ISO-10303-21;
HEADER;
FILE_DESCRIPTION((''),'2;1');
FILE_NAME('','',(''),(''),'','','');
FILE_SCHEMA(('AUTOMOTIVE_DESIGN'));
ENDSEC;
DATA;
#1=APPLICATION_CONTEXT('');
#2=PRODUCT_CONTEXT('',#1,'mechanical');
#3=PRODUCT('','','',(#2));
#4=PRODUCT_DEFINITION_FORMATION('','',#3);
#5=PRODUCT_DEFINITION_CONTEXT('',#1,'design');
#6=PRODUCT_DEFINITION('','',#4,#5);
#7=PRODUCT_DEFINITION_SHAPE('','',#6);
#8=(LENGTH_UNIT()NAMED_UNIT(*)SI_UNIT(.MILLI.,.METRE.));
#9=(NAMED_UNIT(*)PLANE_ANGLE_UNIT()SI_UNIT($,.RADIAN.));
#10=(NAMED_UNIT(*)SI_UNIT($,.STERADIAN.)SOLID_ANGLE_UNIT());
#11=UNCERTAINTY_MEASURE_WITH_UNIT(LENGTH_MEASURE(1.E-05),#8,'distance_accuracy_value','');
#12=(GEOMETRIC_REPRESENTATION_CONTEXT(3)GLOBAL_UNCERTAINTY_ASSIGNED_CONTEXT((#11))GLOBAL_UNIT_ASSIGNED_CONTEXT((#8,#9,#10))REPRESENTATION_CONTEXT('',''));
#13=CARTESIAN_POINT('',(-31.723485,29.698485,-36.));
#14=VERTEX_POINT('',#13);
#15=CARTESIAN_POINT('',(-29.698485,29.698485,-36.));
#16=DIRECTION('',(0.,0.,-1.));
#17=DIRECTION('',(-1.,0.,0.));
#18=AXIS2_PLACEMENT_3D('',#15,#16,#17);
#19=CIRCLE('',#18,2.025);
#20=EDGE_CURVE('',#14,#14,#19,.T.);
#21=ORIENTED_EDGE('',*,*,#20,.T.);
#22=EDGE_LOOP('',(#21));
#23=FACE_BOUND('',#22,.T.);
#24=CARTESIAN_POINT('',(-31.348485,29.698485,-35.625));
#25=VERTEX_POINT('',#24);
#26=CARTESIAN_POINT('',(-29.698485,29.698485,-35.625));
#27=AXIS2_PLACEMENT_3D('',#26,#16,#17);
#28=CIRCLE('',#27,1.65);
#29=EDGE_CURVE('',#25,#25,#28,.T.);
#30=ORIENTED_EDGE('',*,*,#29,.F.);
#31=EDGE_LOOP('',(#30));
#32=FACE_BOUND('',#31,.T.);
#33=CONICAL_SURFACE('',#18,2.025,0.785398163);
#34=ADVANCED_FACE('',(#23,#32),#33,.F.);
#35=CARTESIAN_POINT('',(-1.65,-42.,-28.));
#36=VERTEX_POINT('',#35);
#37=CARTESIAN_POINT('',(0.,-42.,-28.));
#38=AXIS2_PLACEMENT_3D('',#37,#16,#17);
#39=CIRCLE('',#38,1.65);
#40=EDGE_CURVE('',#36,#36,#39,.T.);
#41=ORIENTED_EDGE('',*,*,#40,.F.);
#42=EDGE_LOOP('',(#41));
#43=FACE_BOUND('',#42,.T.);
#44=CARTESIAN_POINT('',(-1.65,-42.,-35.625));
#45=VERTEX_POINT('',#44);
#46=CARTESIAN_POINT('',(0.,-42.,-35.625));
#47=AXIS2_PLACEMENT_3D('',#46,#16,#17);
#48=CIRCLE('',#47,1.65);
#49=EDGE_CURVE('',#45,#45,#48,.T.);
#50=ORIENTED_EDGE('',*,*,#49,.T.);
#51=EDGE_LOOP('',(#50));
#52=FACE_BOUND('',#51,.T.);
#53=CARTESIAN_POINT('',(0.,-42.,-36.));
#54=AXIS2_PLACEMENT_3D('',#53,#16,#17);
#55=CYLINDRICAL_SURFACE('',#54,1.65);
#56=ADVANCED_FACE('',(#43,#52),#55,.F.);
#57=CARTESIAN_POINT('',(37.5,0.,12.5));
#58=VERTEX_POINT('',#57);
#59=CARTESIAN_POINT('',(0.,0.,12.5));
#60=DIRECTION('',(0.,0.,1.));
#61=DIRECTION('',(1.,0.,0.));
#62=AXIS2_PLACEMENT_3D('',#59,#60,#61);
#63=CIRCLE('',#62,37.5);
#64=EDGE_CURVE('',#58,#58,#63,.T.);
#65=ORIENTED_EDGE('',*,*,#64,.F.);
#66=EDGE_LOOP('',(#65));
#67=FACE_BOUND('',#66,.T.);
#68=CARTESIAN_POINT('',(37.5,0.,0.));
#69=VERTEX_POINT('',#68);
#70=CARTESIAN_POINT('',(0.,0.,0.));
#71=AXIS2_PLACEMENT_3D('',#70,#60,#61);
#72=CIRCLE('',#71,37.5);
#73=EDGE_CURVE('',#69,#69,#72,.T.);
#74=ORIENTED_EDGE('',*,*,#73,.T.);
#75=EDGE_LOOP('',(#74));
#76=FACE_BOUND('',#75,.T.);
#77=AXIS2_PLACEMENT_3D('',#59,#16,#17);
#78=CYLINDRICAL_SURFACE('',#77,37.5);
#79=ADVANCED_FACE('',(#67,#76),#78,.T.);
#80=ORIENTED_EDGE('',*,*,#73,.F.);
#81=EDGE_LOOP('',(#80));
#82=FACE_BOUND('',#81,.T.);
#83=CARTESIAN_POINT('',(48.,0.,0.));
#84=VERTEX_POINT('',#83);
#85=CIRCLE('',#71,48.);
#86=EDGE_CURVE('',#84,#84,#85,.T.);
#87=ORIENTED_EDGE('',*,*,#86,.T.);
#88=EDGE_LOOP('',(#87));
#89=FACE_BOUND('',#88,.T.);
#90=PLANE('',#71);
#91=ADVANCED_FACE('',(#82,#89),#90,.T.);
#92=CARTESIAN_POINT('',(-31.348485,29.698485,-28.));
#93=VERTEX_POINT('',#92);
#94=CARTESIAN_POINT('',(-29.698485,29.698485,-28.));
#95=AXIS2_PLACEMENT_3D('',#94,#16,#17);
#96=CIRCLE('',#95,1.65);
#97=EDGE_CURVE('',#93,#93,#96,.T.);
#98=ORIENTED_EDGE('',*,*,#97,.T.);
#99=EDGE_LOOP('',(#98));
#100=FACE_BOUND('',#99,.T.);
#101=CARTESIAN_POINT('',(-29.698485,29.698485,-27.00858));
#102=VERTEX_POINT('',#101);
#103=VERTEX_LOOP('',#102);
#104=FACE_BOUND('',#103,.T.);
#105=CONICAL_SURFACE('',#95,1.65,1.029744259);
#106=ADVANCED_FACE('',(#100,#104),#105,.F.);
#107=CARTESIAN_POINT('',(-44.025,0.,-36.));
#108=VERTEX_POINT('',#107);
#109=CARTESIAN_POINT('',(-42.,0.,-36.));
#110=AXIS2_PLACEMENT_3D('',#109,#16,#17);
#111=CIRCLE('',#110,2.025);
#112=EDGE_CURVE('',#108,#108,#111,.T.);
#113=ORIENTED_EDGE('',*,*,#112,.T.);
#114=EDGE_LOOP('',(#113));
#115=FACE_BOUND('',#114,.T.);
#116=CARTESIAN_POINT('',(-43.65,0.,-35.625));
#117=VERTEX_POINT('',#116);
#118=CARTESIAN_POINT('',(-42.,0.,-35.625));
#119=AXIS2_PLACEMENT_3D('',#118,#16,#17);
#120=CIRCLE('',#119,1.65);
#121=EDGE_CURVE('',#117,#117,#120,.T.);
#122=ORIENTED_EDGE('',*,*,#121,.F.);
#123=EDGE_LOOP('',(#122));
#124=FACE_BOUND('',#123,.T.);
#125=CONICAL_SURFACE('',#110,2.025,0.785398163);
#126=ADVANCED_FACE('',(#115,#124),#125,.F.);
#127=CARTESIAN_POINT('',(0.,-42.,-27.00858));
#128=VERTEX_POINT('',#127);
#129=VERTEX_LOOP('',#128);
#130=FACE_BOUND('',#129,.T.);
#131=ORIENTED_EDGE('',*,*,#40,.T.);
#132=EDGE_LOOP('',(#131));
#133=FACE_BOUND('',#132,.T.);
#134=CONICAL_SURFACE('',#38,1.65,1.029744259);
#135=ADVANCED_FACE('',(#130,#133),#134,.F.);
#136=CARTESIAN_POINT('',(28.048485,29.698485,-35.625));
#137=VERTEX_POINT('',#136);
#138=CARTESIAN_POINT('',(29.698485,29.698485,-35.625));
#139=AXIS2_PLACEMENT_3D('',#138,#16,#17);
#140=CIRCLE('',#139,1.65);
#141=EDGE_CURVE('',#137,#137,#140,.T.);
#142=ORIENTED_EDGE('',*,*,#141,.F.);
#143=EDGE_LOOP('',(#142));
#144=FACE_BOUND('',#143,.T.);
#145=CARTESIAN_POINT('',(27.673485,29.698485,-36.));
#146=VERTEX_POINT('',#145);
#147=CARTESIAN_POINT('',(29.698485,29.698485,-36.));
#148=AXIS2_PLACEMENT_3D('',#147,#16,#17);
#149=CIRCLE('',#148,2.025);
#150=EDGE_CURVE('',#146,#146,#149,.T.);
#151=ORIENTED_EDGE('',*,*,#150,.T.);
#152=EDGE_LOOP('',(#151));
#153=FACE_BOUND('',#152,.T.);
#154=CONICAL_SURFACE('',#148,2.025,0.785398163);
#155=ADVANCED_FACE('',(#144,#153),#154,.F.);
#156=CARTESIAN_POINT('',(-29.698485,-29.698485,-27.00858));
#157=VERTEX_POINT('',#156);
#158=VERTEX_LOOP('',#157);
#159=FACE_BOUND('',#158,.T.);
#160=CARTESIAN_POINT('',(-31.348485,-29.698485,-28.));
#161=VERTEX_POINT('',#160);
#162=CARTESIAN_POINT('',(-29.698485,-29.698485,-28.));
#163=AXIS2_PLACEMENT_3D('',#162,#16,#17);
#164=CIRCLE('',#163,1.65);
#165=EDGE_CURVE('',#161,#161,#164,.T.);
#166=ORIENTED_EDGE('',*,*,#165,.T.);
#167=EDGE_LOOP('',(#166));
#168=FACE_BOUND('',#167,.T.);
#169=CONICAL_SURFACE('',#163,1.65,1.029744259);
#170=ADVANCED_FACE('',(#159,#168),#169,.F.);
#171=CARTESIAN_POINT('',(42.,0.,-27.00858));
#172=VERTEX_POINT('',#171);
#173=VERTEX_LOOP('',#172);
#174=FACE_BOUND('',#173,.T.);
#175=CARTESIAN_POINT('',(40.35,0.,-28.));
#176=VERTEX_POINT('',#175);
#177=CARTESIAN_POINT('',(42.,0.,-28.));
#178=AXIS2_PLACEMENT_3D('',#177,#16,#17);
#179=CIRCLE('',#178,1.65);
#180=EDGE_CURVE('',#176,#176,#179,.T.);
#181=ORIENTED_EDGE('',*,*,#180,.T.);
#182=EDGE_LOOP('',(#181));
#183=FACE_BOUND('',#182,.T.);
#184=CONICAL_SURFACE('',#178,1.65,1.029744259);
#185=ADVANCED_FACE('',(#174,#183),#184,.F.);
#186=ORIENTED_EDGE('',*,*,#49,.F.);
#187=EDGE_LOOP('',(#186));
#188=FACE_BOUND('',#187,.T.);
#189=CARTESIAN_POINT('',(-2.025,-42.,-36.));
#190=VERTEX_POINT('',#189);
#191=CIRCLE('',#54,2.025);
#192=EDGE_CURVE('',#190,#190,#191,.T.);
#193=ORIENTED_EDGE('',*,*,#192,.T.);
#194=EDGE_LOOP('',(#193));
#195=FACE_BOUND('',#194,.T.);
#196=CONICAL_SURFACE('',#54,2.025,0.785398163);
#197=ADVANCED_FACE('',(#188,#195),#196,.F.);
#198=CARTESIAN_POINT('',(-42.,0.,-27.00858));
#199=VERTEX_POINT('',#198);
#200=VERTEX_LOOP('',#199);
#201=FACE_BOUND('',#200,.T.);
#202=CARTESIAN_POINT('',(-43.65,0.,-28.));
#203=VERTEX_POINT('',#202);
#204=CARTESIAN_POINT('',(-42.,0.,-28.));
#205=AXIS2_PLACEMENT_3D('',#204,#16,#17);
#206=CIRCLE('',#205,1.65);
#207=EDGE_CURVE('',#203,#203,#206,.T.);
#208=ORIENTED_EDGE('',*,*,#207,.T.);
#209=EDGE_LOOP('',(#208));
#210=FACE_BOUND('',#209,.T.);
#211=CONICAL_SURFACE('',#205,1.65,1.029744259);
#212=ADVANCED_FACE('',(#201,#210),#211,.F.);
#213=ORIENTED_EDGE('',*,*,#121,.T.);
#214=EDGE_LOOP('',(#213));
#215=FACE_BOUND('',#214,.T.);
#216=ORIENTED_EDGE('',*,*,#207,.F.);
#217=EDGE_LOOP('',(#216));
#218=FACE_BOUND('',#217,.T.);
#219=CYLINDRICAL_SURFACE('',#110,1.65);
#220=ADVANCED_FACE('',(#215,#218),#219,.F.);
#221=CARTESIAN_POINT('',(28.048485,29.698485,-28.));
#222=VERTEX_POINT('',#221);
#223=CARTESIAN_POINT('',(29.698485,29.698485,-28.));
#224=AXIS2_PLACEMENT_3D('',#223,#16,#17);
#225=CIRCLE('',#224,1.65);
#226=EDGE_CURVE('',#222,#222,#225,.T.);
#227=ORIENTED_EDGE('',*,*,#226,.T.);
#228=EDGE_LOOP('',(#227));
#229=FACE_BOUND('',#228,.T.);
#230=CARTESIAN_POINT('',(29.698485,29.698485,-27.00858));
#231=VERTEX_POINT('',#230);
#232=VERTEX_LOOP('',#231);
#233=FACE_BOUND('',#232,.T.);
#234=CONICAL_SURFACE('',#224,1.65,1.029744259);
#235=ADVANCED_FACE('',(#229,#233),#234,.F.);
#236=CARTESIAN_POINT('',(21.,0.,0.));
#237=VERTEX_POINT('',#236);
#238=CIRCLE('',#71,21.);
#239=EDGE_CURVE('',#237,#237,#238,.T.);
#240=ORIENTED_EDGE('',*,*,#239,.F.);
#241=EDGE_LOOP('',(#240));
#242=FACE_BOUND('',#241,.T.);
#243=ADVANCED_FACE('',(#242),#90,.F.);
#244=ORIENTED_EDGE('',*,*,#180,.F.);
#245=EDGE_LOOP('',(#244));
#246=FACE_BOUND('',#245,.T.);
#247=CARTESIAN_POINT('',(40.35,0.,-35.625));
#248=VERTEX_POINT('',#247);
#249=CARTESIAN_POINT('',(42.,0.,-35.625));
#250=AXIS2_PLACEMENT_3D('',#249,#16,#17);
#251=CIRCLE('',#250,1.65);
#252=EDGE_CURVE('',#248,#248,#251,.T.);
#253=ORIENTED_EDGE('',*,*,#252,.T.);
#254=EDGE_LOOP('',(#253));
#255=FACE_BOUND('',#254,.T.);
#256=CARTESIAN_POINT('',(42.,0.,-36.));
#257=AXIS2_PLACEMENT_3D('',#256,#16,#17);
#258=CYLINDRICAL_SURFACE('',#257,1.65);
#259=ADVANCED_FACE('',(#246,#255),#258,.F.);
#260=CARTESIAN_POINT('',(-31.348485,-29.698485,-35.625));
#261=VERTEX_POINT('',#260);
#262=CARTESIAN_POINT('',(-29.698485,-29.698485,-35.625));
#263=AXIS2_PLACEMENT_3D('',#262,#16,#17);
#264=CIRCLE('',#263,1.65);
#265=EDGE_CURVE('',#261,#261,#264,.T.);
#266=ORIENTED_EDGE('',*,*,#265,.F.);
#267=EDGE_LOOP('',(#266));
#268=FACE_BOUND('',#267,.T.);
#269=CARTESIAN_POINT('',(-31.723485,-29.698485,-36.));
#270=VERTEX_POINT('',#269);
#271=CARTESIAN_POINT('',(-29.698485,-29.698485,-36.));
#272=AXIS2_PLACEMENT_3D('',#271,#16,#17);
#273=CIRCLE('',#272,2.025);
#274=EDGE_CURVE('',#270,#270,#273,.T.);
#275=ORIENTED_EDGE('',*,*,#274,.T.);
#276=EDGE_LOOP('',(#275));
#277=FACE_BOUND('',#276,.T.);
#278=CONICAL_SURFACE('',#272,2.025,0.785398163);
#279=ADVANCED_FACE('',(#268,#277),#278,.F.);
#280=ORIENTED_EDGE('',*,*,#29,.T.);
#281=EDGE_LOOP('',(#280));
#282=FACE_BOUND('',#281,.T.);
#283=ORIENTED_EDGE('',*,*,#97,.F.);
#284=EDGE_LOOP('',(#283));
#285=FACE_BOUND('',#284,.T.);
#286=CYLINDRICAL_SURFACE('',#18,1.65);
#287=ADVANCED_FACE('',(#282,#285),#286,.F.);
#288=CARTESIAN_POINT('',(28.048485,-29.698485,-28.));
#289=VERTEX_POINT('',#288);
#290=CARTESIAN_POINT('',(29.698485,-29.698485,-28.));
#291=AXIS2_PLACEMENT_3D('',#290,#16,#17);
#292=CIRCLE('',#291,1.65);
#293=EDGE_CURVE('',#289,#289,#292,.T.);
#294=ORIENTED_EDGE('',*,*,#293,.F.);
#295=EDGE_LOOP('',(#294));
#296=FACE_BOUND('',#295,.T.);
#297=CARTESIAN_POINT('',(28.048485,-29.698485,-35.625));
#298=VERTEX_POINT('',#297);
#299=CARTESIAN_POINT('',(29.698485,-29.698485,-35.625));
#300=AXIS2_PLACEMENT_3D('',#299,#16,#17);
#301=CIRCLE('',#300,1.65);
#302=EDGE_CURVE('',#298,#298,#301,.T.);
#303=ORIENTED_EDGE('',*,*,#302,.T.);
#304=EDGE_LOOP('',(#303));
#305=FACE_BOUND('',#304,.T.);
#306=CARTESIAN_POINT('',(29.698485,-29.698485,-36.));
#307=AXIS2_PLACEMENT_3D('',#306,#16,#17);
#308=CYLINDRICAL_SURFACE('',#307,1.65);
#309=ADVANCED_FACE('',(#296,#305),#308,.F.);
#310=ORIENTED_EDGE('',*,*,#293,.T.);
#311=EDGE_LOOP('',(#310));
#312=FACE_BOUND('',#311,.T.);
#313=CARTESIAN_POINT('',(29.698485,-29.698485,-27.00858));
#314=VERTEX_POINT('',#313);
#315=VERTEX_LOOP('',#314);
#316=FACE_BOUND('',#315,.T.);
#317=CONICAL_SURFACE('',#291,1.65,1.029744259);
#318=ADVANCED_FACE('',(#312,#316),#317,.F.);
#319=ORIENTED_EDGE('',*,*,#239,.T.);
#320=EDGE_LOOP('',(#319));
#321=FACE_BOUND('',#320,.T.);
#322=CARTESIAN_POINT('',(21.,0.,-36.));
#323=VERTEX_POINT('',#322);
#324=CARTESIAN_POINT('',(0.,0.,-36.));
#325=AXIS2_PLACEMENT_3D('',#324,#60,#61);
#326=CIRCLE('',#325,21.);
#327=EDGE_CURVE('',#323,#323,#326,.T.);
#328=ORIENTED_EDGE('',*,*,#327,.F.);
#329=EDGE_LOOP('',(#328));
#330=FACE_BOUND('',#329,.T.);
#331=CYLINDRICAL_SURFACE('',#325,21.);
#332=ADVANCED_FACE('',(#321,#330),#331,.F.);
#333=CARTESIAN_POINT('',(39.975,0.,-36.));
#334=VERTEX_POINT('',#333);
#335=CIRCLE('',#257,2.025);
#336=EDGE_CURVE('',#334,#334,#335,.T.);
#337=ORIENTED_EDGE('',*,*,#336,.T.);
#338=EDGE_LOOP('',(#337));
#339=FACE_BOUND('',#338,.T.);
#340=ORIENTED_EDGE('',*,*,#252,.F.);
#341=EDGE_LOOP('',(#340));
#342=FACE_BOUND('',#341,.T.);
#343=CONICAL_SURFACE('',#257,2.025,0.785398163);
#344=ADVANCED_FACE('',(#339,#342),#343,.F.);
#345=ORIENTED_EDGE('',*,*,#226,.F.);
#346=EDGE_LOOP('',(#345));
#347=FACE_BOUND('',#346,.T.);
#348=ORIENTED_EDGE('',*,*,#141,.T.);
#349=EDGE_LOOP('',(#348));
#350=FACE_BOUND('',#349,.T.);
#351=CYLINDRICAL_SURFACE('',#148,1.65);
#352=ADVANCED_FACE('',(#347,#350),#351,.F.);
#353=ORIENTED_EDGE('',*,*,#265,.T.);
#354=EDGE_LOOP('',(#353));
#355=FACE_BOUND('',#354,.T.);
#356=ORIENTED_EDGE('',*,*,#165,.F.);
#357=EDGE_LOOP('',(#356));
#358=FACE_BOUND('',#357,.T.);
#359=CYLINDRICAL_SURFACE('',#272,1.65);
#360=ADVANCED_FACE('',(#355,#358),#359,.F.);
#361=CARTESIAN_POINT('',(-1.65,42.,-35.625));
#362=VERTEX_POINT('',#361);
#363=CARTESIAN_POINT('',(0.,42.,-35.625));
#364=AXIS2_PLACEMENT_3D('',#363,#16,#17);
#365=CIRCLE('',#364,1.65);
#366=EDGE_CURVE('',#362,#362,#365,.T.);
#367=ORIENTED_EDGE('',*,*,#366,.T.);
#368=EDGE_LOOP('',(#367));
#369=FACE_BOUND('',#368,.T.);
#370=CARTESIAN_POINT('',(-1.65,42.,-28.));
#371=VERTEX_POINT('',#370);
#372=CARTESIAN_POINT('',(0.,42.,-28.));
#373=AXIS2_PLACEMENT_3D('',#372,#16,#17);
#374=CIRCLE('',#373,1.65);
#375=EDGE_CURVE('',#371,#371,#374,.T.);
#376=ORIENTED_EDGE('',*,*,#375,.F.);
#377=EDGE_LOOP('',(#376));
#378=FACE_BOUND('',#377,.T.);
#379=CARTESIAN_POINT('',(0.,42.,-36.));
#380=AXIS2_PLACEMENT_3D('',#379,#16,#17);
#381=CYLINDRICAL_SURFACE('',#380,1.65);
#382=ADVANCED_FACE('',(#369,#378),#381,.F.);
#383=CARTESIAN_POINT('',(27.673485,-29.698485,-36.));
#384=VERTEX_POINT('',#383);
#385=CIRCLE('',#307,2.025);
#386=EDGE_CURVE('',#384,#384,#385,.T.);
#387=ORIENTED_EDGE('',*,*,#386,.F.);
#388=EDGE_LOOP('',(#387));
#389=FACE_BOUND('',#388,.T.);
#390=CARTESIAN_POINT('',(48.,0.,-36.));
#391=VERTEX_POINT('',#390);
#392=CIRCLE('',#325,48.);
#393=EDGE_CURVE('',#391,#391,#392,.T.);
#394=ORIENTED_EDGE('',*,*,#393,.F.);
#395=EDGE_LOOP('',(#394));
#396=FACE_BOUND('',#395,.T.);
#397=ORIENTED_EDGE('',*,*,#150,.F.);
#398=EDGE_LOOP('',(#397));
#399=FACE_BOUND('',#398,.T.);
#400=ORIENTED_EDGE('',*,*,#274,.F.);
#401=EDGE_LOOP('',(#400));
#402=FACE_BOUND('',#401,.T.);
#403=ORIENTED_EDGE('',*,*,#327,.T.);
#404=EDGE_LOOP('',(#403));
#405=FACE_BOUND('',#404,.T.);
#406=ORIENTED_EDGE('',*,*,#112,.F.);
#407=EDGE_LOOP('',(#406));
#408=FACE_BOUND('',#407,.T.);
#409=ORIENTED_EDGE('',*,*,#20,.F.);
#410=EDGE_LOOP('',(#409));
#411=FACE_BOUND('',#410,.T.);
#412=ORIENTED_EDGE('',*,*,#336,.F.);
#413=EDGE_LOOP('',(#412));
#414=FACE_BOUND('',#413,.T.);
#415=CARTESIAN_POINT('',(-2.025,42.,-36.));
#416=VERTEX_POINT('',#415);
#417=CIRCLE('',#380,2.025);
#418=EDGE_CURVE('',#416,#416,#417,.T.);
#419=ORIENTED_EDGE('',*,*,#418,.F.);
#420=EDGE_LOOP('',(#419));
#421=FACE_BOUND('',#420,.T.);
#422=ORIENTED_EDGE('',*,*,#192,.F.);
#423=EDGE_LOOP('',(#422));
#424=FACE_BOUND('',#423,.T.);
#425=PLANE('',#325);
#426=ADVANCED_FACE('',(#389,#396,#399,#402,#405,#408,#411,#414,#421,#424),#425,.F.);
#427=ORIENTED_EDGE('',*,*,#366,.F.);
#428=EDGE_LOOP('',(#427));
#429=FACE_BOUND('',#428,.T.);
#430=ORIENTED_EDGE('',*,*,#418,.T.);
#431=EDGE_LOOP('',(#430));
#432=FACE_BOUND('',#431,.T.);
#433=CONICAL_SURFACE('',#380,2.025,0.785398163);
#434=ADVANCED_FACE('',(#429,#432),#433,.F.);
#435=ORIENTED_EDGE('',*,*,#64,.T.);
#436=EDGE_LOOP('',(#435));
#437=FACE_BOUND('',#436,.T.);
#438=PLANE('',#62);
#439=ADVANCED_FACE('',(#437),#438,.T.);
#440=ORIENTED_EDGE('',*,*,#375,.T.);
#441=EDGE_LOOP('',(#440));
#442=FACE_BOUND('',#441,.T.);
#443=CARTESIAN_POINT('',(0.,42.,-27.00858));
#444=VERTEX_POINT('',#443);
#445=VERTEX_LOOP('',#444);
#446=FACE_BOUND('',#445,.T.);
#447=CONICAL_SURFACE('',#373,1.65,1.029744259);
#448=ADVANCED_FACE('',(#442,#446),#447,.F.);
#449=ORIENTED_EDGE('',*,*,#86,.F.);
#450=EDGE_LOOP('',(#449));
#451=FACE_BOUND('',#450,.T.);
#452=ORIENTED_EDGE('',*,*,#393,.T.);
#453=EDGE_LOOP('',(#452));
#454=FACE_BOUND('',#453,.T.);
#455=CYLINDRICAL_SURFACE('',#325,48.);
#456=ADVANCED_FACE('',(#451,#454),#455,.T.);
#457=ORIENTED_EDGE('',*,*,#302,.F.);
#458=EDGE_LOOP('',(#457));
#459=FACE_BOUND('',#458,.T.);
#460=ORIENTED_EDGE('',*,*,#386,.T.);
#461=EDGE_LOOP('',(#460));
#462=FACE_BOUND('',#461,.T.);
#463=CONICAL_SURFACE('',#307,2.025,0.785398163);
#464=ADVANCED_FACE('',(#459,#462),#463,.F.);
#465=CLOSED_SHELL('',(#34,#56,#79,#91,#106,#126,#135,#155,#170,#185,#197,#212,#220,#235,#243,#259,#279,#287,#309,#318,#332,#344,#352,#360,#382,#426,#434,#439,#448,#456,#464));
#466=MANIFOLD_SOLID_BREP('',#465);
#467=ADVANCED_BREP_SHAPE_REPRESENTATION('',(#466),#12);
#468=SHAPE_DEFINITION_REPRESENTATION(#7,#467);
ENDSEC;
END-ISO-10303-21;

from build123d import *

# Parameters (mm, degrees)
SKETCH1_R                   = 37.5
BOSS_EXTRUDE1_DEPTH         = 12.5
SKETCH1_3_R                 = 48
SKETCH1_3_R_2               = 21
BOSS_EXTRUDE2_DEPTH         = 36
M4_TAPPED_HOLE1_D           = 3.3
M4_TAPPED_HOLE1_DEPTH       = 8
M4_TAPPED_HOLE1_CSINK_D     = 4.05
M4_TAPPED_HOLE1_CSINK_ANGLE = 90
M4_TAPPED_HOLE1_TIP         = 0.991420021


with BuildPart() as part:
    # Sketch1 → Boss-Extrude1 (new body)
    with BuildSketch(Plane.XY):
        Circle(SKETCH1_R)
    extrude(amount=BOSS_EXTRUDE1_DEPTH)

    # Sketch1<3> → Boss-Extrude2 (add)
    with BuildSketch(Plane.XY):
        Circle(SKETCH1_3_R)
        Circle(SKETCH1_3_R_2, mode=Mode.SUBTRACT)
    extrude(amount=-BOSS_EXTRUDE2_DEPTH)

    # M4 Tapped Hole1
    with Locations(Plane(origin=(0, 0, -36), x_dir=(-1, 0, 0), z_dir=(0, 0, -1))):
        with Locations((0, 42), (29.69848481, 29.69848481), (42, 0), (29.69848481, -29.69848481), (0, -42), (-29.69848481, -29.69848481), (-42, 0), (-29.69848481, 29.69848481)):
            CounterSinkHole(M4_TAPPED_HOLE1_D / 2, M4_TAPPED_HOLE1_CSINK_D / 2, depth=M4_TAPPED_HOLE1_DEPTH, counter_sink_angle=M4_TAPPED_HOLE1_CSINK_ANGLE)
            with Locations((0, 0, -(M4_TAPPED_HOLE1_DEPTH + M4_TAPPED_HOLE1_TIP / 2))):  # 118° drill point
                Cone(0, M4_TAPPED_HOLE1_D / 2, M4_TAPPED_HOLE1_TIP, mode=Mode.SUBTRACT)


solid = part.part
